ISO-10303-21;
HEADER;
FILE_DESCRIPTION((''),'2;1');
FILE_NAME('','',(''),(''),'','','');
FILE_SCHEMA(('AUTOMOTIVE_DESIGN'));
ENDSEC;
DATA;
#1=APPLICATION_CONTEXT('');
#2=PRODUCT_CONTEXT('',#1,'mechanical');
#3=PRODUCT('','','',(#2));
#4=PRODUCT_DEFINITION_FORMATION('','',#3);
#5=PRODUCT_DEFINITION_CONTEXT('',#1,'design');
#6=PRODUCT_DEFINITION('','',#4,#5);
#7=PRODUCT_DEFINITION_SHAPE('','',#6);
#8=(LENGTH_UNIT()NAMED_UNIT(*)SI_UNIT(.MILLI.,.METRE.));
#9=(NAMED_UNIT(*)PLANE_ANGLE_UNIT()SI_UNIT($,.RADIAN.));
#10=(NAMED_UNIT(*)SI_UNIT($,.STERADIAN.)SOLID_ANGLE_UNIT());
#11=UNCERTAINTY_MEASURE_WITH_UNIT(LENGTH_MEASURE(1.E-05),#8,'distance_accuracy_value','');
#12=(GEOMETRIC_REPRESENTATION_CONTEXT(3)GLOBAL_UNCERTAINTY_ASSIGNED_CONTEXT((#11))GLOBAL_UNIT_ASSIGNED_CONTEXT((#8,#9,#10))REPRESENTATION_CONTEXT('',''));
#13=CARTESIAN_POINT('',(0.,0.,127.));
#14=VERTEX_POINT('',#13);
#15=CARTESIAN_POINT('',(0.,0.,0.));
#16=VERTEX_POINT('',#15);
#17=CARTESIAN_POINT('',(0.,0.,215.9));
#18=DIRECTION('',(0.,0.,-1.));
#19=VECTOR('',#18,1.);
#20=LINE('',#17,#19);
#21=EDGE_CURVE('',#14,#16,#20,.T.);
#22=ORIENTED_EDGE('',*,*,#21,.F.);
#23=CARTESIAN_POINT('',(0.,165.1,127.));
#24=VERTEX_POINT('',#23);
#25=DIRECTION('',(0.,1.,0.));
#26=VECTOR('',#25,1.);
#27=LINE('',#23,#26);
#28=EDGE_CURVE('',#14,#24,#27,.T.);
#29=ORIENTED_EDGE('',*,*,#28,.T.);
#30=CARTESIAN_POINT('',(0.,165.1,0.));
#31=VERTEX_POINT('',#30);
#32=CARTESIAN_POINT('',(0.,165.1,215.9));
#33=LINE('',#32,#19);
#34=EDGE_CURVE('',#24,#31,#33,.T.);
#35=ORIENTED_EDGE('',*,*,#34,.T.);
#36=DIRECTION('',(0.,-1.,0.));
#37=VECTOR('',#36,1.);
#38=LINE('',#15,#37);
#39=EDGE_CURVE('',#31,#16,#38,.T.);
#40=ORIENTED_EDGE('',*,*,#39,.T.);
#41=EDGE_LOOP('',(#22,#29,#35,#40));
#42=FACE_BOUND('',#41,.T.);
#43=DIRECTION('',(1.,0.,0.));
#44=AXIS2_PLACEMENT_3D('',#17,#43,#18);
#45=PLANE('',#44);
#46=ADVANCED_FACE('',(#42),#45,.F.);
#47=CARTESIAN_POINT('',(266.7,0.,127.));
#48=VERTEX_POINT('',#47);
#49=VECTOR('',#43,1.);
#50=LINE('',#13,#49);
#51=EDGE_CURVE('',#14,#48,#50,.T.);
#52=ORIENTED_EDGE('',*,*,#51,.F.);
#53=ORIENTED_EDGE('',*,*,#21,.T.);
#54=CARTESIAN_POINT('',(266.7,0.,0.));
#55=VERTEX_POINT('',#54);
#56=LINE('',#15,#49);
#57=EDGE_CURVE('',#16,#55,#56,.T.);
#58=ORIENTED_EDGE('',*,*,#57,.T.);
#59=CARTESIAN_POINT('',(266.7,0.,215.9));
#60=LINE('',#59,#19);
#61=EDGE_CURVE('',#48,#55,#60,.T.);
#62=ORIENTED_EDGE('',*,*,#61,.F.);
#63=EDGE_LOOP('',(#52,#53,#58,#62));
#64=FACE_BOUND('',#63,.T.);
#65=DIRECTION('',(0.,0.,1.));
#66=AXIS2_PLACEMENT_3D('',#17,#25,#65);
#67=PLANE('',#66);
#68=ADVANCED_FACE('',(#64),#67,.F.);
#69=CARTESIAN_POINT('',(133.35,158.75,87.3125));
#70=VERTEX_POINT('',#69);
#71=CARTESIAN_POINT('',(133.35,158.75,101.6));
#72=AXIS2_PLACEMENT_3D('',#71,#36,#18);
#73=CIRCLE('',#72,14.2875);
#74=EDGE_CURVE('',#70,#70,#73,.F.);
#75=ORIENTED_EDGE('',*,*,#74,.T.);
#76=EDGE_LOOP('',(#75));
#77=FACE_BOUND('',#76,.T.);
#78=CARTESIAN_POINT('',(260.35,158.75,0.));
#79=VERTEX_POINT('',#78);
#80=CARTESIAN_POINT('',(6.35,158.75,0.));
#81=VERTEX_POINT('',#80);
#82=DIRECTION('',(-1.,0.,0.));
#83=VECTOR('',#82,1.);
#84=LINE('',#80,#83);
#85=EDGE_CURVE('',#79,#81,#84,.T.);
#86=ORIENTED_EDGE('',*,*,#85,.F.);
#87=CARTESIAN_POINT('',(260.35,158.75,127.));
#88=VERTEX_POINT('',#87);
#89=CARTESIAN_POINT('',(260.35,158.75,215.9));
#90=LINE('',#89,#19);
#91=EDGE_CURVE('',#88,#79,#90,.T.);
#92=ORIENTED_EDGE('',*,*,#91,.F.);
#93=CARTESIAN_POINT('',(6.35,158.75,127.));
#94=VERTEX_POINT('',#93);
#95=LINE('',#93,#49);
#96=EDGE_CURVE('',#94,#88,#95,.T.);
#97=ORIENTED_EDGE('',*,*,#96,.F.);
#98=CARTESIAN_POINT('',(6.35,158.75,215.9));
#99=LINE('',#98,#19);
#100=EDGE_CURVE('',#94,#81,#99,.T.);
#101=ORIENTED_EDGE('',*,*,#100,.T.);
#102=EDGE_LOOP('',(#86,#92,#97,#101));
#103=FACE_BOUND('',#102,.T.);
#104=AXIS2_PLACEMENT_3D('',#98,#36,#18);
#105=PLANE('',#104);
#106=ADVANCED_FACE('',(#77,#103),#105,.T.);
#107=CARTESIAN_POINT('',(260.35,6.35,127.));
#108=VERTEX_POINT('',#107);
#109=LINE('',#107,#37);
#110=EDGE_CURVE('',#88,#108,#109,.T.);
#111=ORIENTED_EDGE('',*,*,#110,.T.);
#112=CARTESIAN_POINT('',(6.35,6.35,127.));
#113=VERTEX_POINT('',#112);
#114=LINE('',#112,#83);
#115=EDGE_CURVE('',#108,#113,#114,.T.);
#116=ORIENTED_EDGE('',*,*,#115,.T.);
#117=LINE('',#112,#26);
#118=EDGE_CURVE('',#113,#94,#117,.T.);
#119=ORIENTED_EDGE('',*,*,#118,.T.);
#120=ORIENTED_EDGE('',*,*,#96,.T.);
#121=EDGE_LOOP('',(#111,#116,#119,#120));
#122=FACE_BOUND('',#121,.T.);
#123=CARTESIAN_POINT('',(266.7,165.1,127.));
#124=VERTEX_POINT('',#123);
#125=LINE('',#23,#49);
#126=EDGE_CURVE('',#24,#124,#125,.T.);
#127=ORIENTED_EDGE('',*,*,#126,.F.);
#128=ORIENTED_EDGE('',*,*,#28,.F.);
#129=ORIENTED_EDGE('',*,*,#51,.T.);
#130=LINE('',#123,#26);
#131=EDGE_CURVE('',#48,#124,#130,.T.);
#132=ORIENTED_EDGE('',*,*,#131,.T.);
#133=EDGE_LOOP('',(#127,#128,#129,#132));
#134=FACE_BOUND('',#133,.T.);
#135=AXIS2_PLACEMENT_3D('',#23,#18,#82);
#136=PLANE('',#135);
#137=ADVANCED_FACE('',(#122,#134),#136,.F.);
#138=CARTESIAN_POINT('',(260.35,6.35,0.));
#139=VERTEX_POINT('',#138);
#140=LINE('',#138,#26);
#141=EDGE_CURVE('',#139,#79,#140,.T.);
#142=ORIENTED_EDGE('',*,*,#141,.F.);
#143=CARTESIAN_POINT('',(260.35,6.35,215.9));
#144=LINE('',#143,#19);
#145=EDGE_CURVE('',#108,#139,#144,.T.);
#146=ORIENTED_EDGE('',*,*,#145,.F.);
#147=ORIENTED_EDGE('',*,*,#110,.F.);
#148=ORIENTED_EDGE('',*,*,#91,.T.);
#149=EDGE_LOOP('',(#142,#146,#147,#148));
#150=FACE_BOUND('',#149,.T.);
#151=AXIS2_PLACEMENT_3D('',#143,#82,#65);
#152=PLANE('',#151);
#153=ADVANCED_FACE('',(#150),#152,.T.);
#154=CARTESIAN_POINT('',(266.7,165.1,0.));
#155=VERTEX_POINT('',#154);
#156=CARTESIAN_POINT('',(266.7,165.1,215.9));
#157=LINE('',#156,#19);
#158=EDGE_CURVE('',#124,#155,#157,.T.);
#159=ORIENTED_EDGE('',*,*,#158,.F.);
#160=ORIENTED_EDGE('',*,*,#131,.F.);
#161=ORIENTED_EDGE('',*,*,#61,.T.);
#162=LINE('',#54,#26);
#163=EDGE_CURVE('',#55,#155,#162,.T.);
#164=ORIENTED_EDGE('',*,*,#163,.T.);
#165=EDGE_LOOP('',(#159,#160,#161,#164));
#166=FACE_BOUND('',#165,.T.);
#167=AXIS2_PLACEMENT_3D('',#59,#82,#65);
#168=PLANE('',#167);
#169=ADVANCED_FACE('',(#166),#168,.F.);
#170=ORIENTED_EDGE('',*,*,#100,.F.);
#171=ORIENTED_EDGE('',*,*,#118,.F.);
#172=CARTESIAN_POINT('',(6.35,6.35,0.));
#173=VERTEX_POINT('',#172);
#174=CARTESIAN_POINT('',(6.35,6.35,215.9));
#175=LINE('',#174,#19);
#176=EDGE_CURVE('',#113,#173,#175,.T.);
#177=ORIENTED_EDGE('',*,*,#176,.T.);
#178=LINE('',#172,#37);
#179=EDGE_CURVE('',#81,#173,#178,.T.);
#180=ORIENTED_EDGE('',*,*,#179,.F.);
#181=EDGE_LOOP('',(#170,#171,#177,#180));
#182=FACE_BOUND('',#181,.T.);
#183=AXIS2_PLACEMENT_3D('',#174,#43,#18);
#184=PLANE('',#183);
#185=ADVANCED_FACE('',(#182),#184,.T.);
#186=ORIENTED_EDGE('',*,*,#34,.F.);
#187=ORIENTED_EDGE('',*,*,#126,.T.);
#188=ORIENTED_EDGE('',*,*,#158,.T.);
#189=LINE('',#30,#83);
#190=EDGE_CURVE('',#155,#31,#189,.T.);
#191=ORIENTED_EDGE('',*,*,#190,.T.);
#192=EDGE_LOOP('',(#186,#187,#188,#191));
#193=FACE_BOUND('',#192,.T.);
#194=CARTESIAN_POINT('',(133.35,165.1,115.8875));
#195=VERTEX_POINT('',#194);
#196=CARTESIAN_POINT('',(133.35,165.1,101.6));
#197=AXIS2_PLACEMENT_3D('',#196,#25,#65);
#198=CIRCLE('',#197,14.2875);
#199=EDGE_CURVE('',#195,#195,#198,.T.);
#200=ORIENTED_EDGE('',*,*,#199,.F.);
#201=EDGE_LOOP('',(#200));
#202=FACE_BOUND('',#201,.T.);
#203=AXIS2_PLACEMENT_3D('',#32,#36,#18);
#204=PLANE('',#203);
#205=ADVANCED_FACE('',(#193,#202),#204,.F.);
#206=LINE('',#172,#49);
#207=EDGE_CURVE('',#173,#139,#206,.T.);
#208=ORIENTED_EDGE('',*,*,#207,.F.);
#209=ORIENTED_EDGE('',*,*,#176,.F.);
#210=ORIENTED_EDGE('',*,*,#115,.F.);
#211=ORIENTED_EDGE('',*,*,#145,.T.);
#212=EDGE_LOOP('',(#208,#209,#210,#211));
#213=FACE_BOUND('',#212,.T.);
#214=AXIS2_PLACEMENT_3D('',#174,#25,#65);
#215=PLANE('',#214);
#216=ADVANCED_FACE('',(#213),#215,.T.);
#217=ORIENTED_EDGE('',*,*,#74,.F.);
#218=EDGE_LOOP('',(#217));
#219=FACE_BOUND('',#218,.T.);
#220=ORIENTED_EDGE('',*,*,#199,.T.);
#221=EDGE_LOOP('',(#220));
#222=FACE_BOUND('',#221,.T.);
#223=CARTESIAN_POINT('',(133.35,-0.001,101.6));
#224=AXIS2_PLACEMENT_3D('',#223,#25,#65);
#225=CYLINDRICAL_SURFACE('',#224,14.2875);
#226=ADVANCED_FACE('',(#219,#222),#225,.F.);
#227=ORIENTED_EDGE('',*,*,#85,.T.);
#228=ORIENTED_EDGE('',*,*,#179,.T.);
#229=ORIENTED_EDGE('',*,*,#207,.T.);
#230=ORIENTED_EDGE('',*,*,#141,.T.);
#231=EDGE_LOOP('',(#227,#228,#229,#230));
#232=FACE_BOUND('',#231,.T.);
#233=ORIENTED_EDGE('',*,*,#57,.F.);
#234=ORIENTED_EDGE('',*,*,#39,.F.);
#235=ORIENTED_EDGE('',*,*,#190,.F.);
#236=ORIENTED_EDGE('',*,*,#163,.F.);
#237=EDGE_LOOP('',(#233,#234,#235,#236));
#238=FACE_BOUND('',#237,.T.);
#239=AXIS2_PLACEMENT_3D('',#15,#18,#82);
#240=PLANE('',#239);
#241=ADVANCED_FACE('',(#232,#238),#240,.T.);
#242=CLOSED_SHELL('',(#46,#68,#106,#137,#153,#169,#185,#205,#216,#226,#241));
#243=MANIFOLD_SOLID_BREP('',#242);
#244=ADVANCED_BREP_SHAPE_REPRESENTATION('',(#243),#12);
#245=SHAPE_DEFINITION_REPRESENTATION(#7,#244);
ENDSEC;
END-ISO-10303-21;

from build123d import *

# Parameters (mm, degrees)
SKETCH1_W           = 266.7
SKETCH1_H           = 165.1
SKETCH1_W_2         = 254
SKETCH1_H_2         = 152.4
BOSS_EXTRUDE1_DEPTH = 215.9
SKETCH4_W           = 88.9
SKETCH4_H           = 165.1
CUT_EXTRUDE2_DEPTH  = 267.7
CUT_EXTRUDE3_REACH  = 167.1
SKETCH5_R           = 14.2875


with BuildPart() as part:
    # Sketch1 → Boss-Extrude1 (new body)
    with BuildSketch(Plane.XY):
        with Locations((133.35, 82.55)):
            Rectangle(SKETCH1_W, SKETCH1_H)
        with Locations((133.35, 82.55)):
            Rectangle(SKETCH1_W_2, SKETCH1_H_2, mode=Mode.SUBTRACT)
    extrude(amount=BOSS_EXTRUDE1_DEPTH)

    # Sketch4 → Cut-Extrude2 (cut, through all)
    with BuildSketch(Plane(origin=(266.7, 0, 0), x_dir=(0, 0, -1), z_dir=(1, 0, 0))):
        with Locations((-171.45, 82.55)):
            Rectangle(SKETCH4_W, SKETCH4_H)
    extrude(amount=-CUT_EXTRUDE2_DEPTH, mode=Mode.SUBTRACT)

    # Sketch5 → Cut-Extrude3 (cut, up to next)
    with BuildSketch(Plane(origin=(0, 165.1, 0), x_dir=(1, 0, 0), z_dir=(0, 1, 0)), mode=Mode.PRIVATE) as cut_extrude3_sk1:
        with Locations((133.35, -101.6)):
            Circle(SKETCH5_R)
    cut_extrude3_tool1 = extrude(cut_extrude3_sk1.sketch, amount=-CUT_EXTRUDE3_REACH, mode=Mode.PRIVATE) & part.part
    add(cut_extrude3_tool1.solids().sort_by_distance((133.35, 165.1, 101.6))[0], mode=Mode.SUBTRACT)


solid = part.part
